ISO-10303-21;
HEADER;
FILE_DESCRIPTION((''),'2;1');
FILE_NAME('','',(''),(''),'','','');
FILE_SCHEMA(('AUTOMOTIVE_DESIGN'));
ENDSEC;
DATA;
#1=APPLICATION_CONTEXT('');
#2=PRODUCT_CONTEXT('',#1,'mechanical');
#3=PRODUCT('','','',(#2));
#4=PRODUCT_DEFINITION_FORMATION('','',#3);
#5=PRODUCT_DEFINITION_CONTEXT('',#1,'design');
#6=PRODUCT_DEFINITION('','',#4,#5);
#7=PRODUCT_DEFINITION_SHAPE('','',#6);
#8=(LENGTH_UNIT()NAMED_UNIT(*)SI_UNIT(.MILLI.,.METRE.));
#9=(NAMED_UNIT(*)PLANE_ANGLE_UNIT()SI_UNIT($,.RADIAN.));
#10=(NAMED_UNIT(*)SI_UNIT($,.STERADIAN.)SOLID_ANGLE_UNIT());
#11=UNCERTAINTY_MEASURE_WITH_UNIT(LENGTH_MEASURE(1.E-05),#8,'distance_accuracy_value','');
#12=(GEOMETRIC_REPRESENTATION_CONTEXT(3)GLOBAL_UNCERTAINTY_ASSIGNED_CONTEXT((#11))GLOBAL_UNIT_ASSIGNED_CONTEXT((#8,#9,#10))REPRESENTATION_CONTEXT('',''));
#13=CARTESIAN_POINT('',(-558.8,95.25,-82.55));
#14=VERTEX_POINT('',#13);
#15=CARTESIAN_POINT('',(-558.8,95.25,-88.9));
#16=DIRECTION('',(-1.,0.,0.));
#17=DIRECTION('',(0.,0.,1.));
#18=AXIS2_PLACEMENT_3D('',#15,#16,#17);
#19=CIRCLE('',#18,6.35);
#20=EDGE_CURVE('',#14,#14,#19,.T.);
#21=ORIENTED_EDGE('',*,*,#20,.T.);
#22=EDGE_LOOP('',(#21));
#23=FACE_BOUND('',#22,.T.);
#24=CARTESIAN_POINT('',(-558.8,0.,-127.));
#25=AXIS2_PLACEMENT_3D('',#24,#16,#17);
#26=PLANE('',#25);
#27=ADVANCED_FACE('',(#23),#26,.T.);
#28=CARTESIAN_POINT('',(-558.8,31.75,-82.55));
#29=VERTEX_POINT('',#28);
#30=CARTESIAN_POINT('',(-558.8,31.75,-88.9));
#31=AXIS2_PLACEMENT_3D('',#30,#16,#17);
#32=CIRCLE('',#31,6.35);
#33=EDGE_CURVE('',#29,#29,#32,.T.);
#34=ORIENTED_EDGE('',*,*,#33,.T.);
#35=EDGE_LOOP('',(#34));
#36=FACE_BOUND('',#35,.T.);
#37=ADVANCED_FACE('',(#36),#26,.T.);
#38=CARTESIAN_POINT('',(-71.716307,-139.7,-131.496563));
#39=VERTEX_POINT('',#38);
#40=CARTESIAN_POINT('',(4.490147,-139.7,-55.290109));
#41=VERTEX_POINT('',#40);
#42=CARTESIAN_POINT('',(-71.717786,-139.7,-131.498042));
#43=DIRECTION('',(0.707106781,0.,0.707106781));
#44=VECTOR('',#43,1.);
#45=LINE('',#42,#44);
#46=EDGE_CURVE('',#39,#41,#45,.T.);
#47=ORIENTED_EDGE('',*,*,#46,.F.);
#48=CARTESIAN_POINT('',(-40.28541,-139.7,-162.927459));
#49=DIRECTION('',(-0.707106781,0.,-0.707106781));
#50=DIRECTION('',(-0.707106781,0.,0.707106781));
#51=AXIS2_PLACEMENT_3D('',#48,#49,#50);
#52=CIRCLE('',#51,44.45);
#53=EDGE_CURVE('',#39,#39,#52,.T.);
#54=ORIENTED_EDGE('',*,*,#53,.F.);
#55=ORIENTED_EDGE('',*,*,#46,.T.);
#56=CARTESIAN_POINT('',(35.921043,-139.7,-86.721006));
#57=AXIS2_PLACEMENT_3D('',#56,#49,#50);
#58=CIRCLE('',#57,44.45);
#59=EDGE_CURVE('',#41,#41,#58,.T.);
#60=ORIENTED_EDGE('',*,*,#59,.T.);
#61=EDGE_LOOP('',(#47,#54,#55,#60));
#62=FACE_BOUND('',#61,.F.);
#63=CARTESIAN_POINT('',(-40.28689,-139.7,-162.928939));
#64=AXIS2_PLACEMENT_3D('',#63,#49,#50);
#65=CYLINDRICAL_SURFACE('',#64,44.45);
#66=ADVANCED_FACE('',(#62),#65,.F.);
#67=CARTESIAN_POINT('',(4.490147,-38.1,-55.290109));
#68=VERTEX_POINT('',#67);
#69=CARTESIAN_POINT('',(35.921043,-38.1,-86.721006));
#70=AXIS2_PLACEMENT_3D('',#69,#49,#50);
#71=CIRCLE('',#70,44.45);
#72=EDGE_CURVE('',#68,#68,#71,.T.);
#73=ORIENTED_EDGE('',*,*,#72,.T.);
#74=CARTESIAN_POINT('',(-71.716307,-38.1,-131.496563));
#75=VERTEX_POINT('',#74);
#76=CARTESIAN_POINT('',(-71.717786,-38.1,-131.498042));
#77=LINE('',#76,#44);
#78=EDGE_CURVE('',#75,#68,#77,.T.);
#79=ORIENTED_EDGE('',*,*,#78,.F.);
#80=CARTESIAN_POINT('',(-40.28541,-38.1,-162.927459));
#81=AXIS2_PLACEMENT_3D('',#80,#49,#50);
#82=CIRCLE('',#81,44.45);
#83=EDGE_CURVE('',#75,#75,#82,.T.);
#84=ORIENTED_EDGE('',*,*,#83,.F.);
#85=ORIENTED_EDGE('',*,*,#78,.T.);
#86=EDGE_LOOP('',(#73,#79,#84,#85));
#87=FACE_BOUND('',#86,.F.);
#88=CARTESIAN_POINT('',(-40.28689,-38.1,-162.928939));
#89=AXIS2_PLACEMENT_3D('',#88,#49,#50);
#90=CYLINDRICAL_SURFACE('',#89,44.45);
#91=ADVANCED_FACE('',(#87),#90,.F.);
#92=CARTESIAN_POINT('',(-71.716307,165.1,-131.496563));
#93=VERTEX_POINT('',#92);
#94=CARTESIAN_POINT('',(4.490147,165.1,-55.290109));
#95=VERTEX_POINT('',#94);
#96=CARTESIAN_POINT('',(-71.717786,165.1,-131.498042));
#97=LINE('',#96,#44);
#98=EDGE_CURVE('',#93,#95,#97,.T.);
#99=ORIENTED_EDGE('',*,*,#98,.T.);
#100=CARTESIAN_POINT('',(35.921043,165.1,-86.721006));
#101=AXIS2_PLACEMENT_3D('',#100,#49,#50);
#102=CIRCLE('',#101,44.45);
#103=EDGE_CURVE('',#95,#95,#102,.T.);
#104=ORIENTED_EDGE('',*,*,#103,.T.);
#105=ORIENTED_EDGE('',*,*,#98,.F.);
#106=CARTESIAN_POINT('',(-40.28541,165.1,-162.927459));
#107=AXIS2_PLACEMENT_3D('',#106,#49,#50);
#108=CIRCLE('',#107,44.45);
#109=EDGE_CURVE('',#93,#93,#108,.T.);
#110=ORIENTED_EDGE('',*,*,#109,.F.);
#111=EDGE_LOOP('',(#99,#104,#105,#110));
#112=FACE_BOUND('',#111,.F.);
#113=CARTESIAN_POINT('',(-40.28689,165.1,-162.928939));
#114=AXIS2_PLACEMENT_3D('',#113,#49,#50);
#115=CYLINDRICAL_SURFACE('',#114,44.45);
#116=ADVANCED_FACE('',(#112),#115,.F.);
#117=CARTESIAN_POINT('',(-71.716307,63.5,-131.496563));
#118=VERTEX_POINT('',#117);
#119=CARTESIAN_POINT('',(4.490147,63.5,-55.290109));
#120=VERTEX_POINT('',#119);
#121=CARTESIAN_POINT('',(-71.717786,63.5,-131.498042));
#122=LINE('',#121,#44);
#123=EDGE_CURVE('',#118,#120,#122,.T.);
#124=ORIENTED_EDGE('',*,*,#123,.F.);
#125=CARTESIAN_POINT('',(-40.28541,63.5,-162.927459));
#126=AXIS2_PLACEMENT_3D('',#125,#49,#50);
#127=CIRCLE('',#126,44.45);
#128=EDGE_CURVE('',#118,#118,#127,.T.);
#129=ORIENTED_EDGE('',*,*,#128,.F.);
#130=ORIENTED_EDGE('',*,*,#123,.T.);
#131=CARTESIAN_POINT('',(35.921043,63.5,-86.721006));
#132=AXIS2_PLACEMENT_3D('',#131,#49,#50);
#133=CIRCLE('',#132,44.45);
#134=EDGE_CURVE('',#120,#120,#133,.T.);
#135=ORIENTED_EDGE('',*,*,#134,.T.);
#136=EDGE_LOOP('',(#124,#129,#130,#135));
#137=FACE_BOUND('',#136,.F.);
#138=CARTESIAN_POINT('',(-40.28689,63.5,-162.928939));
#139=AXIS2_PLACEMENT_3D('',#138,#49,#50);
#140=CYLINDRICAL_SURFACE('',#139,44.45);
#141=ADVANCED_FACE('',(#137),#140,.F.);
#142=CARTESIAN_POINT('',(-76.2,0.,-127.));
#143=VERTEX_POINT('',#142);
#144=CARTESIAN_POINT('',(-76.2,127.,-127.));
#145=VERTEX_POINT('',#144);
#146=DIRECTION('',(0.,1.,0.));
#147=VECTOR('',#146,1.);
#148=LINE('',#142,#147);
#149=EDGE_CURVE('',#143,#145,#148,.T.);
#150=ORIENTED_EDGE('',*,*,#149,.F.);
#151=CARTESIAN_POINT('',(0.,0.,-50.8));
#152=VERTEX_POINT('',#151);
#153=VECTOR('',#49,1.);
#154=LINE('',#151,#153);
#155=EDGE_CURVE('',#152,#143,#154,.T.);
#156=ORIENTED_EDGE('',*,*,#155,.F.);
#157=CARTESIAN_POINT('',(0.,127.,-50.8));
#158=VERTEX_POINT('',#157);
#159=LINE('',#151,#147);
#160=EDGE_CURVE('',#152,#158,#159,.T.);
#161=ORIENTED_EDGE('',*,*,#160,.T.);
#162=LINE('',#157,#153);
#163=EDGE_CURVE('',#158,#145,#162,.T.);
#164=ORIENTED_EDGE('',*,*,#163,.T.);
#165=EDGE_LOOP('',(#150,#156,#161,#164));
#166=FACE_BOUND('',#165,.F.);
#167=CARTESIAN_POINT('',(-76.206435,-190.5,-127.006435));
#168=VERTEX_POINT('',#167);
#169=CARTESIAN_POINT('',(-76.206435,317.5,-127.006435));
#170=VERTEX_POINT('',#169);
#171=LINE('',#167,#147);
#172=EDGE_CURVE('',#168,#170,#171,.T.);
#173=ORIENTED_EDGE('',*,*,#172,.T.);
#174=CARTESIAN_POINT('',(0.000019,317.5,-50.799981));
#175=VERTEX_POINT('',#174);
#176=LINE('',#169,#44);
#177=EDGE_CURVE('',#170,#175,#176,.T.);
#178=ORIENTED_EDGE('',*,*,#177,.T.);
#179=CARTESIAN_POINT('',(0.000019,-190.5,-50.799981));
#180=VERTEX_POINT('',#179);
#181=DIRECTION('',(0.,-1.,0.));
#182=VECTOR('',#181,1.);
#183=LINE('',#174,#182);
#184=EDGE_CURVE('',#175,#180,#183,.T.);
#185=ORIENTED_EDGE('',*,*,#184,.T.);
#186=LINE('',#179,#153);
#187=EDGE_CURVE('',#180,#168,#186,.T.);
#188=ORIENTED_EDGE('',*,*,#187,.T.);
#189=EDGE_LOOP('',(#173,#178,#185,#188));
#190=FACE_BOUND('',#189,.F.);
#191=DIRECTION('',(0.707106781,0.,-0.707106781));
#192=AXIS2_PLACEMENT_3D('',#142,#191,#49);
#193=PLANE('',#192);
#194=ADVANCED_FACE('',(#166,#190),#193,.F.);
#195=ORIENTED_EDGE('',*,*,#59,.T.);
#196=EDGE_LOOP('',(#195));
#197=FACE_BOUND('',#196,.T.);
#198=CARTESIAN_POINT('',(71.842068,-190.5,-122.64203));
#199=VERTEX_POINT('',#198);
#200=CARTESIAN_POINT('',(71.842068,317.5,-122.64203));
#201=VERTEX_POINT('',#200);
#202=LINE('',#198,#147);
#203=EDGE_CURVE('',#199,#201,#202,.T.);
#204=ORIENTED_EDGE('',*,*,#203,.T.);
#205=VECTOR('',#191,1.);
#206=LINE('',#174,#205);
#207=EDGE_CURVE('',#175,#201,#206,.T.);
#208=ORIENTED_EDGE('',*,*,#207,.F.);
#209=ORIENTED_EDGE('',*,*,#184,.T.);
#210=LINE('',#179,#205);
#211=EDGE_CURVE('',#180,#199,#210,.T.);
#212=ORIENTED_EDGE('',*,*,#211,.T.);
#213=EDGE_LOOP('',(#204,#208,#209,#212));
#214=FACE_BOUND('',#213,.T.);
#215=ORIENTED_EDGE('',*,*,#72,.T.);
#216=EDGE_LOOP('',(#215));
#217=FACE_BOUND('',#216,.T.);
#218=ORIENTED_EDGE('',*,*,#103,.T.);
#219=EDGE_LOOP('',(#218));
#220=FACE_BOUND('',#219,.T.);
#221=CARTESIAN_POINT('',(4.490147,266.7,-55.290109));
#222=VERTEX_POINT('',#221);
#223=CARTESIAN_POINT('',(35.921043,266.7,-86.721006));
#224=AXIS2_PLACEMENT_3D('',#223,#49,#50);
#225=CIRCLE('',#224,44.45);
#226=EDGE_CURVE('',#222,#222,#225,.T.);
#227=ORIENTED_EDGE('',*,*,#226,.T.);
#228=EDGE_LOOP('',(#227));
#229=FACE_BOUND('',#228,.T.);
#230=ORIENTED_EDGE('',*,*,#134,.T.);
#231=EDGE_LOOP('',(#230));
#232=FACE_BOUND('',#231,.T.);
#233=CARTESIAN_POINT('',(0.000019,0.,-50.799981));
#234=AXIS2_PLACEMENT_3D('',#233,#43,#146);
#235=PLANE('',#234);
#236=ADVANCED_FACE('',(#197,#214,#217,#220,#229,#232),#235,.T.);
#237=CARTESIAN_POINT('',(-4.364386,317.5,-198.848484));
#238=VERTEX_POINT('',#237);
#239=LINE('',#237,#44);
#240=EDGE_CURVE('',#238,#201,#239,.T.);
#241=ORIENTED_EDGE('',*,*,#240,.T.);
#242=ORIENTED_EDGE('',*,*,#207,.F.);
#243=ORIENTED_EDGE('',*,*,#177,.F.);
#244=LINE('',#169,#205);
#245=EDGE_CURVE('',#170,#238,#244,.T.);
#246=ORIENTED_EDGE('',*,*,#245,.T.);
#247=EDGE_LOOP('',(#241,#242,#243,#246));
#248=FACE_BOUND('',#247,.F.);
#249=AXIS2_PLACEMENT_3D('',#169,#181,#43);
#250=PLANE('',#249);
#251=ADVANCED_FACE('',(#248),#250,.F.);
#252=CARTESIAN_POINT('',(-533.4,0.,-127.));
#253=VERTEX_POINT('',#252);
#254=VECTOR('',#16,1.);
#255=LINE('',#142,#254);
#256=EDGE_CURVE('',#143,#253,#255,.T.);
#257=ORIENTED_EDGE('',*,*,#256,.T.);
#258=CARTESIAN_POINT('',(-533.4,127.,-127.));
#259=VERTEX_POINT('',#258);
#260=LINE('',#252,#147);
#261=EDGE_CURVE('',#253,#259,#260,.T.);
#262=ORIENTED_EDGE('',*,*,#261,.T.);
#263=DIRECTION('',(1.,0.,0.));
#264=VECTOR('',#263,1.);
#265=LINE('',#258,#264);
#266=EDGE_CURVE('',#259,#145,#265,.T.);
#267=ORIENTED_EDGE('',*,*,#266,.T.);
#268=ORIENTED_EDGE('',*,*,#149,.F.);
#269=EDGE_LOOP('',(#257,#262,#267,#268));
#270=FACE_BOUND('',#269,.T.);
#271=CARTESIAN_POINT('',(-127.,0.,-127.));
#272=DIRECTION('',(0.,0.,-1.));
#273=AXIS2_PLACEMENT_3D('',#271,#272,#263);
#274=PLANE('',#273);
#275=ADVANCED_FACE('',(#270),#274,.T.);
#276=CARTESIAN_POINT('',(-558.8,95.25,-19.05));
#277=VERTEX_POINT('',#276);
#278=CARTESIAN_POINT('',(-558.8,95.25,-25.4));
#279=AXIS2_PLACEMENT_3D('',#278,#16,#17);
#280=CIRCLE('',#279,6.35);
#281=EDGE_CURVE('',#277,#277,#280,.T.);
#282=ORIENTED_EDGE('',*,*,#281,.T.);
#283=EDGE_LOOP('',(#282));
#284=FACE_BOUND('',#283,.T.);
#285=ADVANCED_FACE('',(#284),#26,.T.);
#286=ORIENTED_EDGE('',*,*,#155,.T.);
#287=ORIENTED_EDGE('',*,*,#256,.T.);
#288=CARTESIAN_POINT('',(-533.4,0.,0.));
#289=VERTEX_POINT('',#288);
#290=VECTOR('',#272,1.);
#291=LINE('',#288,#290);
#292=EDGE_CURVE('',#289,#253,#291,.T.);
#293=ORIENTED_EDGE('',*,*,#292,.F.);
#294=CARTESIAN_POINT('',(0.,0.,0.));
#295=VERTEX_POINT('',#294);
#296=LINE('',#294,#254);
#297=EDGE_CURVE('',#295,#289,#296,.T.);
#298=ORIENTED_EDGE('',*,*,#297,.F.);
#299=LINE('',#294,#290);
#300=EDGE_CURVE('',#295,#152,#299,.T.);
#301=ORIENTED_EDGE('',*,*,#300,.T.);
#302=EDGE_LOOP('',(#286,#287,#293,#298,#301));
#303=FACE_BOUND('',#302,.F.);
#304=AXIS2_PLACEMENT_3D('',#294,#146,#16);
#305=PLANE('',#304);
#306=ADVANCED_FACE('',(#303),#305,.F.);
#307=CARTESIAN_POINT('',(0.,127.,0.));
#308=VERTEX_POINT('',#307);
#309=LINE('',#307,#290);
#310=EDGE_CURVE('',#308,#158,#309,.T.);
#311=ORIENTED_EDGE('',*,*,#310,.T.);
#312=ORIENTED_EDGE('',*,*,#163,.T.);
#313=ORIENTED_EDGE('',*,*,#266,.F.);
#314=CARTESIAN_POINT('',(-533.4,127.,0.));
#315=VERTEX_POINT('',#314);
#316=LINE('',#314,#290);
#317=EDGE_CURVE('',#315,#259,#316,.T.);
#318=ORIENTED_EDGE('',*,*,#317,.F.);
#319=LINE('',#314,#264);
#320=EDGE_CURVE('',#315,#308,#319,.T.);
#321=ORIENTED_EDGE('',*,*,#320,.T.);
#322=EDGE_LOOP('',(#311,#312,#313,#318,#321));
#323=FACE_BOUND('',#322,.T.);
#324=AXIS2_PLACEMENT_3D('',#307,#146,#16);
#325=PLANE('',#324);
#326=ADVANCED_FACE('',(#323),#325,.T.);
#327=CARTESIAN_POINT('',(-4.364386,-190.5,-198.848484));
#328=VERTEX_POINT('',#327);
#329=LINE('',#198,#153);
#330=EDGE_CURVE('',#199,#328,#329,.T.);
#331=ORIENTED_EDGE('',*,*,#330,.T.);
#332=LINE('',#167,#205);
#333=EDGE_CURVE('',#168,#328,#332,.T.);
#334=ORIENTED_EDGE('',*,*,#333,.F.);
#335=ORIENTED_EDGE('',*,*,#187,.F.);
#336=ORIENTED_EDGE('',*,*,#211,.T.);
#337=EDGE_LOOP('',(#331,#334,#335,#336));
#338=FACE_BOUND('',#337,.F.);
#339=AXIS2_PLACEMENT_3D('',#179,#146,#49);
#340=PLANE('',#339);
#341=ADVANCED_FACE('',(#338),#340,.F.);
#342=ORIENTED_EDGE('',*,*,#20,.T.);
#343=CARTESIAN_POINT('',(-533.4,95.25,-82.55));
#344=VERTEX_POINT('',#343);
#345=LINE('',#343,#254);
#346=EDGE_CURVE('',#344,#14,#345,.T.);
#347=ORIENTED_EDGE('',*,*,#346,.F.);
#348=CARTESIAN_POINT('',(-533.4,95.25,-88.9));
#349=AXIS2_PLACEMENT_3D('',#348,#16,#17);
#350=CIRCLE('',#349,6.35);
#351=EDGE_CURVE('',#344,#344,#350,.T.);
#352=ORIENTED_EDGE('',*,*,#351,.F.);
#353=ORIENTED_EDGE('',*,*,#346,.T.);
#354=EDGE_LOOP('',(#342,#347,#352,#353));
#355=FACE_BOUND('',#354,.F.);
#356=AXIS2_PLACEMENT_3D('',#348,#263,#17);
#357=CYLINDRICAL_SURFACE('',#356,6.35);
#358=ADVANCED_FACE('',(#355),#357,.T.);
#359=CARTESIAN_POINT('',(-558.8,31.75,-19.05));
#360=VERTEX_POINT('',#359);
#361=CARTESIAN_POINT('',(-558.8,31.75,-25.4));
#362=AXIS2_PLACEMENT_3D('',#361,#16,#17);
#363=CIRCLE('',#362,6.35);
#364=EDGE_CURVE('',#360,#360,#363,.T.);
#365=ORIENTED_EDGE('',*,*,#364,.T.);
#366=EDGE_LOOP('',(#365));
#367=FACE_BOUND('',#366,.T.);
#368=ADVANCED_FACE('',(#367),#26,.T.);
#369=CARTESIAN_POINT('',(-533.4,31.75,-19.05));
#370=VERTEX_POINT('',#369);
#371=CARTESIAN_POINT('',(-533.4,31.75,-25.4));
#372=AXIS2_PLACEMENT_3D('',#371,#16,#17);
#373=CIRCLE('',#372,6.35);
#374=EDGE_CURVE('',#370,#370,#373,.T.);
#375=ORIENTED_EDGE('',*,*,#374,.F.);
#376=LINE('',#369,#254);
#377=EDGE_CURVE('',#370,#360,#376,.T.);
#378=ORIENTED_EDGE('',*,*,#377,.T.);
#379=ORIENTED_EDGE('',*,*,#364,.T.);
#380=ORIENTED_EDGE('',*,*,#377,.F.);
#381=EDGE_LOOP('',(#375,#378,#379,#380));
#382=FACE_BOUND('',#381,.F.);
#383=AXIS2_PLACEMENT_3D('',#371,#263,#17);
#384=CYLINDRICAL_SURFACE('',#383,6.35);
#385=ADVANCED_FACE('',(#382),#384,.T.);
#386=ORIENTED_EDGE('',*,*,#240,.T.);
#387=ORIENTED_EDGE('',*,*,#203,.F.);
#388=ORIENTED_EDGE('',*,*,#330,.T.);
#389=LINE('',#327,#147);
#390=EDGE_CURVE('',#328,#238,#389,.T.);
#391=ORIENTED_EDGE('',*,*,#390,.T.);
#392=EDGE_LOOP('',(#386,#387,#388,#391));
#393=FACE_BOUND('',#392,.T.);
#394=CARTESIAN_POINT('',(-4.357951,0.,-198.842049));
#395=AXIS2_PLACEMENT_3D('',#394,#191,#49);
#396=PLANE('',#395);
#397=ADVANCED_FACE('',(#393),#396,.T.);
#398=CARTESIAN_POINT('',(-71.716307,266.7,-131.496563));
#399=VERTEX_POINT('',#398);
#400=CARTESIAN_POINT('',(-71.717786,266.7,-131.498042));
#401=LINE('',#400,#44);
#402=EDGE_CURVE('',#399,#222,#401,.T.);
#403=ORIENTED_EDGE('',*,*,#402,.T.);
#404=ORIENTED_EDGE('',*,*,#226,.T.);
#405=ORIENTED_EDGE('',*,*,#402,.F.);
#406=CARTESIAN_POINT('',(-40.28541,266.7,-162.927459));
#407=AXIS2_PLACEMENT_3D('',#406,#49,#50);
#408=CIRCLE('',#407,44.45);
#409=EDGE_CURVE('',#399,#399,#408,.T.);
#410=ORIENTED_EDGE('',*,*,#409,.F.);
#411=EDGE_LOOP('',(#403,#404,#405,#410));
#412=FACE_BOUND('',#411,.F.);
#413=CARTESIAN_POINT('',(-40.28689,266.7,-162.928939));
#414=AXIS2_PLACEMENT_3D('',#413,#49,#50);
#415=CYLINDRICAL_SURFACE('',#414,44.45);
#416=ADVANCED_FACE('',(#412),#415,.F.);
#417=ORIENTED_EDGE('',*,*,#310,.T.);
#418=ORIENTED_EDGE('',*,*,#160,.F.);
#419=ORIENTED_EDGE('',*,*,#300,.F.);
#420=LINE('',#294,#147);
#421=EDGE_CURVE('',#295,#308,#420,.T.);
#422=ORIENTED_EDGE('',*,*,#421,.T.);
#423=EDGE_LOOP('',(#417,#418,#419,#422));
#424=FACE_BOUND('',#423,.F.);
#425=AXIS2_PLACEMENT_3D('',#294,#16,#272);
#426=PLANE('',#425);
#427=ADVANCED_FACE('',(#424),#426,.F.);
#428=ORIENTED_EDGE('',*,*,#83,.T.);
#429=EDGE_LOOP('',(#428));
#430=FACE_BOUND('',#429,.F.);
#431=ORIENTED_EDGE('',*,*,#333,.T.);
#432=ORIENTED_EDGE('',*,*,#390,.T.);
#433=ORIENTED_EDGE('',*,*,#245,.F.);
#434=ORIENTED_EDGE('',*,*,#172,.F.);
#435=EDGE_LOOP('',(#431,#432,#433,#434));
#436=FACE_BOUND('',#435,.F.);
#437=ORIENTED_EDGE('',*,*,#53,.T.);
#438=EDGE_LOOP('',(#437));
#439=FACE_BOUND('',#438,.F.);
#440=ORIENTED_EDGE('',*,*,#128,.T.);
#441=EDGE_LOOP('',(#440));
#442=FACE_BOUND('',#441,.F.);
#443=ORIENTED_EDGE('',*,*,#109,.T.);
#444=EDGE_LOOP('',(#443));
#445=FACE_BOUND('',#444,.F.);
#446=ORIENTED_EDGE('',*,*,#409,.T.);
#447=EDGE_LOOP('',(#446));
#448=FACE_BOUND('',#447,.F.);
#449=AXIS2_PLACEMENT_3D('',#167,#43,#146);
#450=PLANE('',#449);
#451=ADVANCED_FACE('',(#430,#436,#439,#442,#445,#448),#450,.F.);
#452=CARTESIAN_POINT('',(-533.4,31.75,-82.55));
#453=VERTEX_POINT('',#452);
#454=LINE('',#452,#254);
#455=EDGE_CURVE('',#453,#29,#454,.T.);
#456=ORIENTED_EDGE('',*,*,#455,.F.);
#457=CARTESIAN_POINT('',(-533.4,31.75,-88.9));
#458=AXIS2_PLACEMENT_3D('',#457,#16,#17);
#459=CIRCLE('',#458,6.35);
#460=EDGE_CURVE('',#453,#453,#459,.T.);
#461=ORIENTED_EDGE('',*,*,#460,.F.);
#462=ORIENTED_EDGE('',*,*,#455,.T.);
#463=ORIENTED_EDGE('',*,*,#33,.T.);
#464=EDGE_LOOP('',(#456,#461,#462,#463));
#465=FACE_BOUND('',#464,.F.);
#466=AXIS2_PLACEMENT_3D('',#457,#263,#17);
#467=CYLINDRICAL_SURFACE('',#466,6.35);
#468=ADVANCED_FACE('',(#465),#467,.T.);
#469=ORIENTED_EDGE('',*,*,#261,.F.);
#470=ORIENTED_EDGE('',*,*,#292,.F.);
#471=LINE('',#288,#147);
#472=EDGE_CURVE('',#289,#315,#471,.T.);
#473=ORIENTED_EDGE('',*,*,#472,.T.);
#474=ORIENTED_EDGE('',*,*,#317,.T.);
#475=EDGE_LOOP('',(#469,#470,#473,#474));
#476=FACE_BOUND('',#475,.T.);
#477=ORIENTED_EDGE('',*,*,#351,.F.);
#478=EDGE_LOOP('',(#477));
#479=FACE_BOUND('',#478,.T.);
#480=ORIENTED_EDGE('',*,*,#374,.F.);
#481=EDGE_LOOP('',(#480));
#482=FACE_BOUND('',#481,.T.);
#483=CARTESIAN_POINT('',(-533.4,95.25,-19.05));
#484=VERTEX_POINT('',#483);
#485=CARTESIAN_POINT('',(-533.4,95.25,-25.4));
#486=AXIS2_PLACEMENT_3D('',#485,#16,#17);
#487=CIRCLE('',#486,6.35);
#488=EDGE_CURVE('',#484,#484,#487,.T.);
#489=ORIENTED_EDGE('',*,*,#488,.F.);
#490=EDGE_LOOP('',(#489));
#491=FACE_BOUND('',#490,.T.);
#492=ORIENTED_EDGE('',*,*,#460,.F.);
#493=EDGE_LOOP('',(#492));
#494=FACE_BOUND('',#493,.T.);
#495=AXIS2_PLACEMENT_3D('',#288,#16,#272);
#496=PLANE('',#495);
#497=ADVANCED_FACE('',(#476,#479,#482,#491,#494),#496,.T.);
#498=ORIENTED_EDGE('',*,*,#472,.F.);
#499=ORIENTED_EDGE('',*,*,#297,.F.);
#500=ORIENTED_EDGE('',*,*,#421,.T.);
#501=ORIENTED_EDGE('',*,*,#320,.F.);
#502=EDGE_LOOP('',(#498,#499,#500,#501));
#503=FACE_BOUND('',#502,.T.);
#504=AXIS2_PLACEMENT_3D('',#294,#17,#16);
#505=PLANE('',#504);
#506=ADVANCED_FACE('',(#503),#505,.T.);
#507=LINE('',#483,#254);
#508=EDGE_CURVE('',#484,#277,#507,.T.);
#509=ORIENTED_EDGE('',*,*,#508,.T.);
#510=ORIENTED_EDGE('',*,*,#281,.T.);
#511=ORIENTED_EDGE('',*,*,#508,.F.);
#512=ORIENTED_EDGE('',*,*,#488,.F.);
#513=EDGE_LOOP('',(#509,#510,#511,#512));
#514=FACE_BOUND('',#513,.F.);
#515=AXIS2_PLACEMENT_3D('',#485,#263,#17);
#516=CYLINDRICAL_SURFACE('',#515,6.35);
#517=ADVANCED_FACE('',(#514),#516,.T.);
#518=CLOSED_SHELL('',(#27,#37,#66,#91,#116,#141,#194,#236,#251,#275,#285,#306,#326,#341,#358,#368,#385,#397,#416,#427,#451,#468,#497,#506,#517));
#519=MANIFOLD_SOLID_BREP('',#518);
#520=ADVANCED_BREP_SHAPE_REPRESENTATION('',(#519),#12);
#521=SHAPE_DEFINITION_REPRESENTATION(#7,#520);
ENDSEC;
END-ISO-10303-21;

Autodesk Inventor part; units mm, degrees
ref_plane "YZ Plane" through (0, 0, 0) normal (1, 0, 0) x (0, 1, 0)
ref_plane "XZ Plane" through (0, 0, 0) normal (0, 1, 0) x (-1, 0, 0)
ref_plane "XY Plane" through (0, 0, 0) normal (0, 0, 1) x (1, 0, 0)
sketch "Sketch1" plane through (0, 0, 0) normal (0, 1, 0) x (-1, 0, 0)
  line L0 (0, 0) -> (0, -50.8)
  line L1 (0, -50.8) -> (76.2, -127)
  line L2 (127, -127) -> (76.2, -127)
  line L3 (0, 0) -> (127, 0)
  line L4 (127, 0) -> (533.4, 0)
  line L5 (533.4, 0) -> (533.4, -127)
  line L6 (533.4, -127) -> (127, -127)
  dimension "d7" = 135
  dimension "d37" = 406.4
extrude "Extrusion1" add sketch "Sketch1" along normal blind 127
sketch "Sketch2" plane through (-76.2, 0, -127) normal (0.7071, 0, -0.7071) x (-0.7071, 0, -0.7071)
  line L0 (-107.7631, 0) -> (0, 0)
  line L1 (0, 0) -> (0, 127)
  line L2 (-107.7631, 127) -> (0, 127)
  line L3 (-107.7631, 0) -> (-107.7631, 127)
  line L4 (-107.7631, -190.5) -> (0.0091, -190.5)
  line L5 (0.0091, -190.5) -> (0.0091, 317.5)
  line L6 (0.0091, 317.5) -> (-107.7631, 317.5)
  line L7 (-107.7631, -190.5) -> (-107.7631, 317.5)
  point P0 (-143.6841, 0)
  dimension "d9" = 107.7722
  dimension "d10" = 508
extrude "Extrusion2" add sketch "Sketch2" along normal blind 101.6
sketch "Sketch3" plane through (-76.2065, -190.5, -127.0065) normal (-0.7071, 0, -0.7071) x (-0.7071, 0, 0.7071)
  line L0 (0, 0) -> (-101.6, 0)
  line L1 (0, 508) -> (-101.6, 508)
  circle A0 centre (-50.8, 50.8) radius 44.45
  circle A1 centre (-50.8, 152.4) radius 44.45
  circle A2 centre (-50.8, 254) radius 44.45
  circle A3 centre (-50.8, 355.6) radius 44.45
  circle A4 centre (-50.8, 457.2) radius 44.45
  point P0 (35.921, 190.5)
extrude "Extrusion3" cut sketch "Sketch3" against normal blind 127
sketch "Sketch4" plane through (-533.4, 0, -127) normal (-1, 0, 0) x (0, 0, 1)
  line L0 (0, 0) -> (0, 127) construction
  line L1 (76.2, 0) -> (0, 0) construction
  line L2 (0, 63.5) -> (76.2, 0) construction
  line L3 (76.2, 0) -> (127, 63.5) construction
  line L4 (127, 0) -> (127, 127) construction
  line L5 (76.2, 127) -> (0, 127) construction
  line L6 (0, 63.5) -> (76.2, 127) construction
  line L7 (76.2, 127) -> (127, 63.5) construction
  line L8 (38.1, 31.75) -> (101.6, 31.75) construction
  line L9 (38.1, 95.25) -> (101.6, 95.25) construction
  circle A0 centre (38.1, 31.75) radius 6.35
  circle A1 centre (38.1, 95.25) radius 6.35
  circle A2 centre (101.6, 95.25) radius 6.35
  circle A3 centre (101.6, 31.75) radius 6.35
  dimension "d38" = 12.7
  dimension "d39" = 12.7
  dimension "d40" = 12.7
  dimension "d41" = 12.7
extrude "Extrusion4" add sketch "Sketch4" along normal blind 25.4
thread "Thread1"
thread "Thread2"
thread "Thread3"
thread "Thread4"
properties part number "TubeHolderV3"
